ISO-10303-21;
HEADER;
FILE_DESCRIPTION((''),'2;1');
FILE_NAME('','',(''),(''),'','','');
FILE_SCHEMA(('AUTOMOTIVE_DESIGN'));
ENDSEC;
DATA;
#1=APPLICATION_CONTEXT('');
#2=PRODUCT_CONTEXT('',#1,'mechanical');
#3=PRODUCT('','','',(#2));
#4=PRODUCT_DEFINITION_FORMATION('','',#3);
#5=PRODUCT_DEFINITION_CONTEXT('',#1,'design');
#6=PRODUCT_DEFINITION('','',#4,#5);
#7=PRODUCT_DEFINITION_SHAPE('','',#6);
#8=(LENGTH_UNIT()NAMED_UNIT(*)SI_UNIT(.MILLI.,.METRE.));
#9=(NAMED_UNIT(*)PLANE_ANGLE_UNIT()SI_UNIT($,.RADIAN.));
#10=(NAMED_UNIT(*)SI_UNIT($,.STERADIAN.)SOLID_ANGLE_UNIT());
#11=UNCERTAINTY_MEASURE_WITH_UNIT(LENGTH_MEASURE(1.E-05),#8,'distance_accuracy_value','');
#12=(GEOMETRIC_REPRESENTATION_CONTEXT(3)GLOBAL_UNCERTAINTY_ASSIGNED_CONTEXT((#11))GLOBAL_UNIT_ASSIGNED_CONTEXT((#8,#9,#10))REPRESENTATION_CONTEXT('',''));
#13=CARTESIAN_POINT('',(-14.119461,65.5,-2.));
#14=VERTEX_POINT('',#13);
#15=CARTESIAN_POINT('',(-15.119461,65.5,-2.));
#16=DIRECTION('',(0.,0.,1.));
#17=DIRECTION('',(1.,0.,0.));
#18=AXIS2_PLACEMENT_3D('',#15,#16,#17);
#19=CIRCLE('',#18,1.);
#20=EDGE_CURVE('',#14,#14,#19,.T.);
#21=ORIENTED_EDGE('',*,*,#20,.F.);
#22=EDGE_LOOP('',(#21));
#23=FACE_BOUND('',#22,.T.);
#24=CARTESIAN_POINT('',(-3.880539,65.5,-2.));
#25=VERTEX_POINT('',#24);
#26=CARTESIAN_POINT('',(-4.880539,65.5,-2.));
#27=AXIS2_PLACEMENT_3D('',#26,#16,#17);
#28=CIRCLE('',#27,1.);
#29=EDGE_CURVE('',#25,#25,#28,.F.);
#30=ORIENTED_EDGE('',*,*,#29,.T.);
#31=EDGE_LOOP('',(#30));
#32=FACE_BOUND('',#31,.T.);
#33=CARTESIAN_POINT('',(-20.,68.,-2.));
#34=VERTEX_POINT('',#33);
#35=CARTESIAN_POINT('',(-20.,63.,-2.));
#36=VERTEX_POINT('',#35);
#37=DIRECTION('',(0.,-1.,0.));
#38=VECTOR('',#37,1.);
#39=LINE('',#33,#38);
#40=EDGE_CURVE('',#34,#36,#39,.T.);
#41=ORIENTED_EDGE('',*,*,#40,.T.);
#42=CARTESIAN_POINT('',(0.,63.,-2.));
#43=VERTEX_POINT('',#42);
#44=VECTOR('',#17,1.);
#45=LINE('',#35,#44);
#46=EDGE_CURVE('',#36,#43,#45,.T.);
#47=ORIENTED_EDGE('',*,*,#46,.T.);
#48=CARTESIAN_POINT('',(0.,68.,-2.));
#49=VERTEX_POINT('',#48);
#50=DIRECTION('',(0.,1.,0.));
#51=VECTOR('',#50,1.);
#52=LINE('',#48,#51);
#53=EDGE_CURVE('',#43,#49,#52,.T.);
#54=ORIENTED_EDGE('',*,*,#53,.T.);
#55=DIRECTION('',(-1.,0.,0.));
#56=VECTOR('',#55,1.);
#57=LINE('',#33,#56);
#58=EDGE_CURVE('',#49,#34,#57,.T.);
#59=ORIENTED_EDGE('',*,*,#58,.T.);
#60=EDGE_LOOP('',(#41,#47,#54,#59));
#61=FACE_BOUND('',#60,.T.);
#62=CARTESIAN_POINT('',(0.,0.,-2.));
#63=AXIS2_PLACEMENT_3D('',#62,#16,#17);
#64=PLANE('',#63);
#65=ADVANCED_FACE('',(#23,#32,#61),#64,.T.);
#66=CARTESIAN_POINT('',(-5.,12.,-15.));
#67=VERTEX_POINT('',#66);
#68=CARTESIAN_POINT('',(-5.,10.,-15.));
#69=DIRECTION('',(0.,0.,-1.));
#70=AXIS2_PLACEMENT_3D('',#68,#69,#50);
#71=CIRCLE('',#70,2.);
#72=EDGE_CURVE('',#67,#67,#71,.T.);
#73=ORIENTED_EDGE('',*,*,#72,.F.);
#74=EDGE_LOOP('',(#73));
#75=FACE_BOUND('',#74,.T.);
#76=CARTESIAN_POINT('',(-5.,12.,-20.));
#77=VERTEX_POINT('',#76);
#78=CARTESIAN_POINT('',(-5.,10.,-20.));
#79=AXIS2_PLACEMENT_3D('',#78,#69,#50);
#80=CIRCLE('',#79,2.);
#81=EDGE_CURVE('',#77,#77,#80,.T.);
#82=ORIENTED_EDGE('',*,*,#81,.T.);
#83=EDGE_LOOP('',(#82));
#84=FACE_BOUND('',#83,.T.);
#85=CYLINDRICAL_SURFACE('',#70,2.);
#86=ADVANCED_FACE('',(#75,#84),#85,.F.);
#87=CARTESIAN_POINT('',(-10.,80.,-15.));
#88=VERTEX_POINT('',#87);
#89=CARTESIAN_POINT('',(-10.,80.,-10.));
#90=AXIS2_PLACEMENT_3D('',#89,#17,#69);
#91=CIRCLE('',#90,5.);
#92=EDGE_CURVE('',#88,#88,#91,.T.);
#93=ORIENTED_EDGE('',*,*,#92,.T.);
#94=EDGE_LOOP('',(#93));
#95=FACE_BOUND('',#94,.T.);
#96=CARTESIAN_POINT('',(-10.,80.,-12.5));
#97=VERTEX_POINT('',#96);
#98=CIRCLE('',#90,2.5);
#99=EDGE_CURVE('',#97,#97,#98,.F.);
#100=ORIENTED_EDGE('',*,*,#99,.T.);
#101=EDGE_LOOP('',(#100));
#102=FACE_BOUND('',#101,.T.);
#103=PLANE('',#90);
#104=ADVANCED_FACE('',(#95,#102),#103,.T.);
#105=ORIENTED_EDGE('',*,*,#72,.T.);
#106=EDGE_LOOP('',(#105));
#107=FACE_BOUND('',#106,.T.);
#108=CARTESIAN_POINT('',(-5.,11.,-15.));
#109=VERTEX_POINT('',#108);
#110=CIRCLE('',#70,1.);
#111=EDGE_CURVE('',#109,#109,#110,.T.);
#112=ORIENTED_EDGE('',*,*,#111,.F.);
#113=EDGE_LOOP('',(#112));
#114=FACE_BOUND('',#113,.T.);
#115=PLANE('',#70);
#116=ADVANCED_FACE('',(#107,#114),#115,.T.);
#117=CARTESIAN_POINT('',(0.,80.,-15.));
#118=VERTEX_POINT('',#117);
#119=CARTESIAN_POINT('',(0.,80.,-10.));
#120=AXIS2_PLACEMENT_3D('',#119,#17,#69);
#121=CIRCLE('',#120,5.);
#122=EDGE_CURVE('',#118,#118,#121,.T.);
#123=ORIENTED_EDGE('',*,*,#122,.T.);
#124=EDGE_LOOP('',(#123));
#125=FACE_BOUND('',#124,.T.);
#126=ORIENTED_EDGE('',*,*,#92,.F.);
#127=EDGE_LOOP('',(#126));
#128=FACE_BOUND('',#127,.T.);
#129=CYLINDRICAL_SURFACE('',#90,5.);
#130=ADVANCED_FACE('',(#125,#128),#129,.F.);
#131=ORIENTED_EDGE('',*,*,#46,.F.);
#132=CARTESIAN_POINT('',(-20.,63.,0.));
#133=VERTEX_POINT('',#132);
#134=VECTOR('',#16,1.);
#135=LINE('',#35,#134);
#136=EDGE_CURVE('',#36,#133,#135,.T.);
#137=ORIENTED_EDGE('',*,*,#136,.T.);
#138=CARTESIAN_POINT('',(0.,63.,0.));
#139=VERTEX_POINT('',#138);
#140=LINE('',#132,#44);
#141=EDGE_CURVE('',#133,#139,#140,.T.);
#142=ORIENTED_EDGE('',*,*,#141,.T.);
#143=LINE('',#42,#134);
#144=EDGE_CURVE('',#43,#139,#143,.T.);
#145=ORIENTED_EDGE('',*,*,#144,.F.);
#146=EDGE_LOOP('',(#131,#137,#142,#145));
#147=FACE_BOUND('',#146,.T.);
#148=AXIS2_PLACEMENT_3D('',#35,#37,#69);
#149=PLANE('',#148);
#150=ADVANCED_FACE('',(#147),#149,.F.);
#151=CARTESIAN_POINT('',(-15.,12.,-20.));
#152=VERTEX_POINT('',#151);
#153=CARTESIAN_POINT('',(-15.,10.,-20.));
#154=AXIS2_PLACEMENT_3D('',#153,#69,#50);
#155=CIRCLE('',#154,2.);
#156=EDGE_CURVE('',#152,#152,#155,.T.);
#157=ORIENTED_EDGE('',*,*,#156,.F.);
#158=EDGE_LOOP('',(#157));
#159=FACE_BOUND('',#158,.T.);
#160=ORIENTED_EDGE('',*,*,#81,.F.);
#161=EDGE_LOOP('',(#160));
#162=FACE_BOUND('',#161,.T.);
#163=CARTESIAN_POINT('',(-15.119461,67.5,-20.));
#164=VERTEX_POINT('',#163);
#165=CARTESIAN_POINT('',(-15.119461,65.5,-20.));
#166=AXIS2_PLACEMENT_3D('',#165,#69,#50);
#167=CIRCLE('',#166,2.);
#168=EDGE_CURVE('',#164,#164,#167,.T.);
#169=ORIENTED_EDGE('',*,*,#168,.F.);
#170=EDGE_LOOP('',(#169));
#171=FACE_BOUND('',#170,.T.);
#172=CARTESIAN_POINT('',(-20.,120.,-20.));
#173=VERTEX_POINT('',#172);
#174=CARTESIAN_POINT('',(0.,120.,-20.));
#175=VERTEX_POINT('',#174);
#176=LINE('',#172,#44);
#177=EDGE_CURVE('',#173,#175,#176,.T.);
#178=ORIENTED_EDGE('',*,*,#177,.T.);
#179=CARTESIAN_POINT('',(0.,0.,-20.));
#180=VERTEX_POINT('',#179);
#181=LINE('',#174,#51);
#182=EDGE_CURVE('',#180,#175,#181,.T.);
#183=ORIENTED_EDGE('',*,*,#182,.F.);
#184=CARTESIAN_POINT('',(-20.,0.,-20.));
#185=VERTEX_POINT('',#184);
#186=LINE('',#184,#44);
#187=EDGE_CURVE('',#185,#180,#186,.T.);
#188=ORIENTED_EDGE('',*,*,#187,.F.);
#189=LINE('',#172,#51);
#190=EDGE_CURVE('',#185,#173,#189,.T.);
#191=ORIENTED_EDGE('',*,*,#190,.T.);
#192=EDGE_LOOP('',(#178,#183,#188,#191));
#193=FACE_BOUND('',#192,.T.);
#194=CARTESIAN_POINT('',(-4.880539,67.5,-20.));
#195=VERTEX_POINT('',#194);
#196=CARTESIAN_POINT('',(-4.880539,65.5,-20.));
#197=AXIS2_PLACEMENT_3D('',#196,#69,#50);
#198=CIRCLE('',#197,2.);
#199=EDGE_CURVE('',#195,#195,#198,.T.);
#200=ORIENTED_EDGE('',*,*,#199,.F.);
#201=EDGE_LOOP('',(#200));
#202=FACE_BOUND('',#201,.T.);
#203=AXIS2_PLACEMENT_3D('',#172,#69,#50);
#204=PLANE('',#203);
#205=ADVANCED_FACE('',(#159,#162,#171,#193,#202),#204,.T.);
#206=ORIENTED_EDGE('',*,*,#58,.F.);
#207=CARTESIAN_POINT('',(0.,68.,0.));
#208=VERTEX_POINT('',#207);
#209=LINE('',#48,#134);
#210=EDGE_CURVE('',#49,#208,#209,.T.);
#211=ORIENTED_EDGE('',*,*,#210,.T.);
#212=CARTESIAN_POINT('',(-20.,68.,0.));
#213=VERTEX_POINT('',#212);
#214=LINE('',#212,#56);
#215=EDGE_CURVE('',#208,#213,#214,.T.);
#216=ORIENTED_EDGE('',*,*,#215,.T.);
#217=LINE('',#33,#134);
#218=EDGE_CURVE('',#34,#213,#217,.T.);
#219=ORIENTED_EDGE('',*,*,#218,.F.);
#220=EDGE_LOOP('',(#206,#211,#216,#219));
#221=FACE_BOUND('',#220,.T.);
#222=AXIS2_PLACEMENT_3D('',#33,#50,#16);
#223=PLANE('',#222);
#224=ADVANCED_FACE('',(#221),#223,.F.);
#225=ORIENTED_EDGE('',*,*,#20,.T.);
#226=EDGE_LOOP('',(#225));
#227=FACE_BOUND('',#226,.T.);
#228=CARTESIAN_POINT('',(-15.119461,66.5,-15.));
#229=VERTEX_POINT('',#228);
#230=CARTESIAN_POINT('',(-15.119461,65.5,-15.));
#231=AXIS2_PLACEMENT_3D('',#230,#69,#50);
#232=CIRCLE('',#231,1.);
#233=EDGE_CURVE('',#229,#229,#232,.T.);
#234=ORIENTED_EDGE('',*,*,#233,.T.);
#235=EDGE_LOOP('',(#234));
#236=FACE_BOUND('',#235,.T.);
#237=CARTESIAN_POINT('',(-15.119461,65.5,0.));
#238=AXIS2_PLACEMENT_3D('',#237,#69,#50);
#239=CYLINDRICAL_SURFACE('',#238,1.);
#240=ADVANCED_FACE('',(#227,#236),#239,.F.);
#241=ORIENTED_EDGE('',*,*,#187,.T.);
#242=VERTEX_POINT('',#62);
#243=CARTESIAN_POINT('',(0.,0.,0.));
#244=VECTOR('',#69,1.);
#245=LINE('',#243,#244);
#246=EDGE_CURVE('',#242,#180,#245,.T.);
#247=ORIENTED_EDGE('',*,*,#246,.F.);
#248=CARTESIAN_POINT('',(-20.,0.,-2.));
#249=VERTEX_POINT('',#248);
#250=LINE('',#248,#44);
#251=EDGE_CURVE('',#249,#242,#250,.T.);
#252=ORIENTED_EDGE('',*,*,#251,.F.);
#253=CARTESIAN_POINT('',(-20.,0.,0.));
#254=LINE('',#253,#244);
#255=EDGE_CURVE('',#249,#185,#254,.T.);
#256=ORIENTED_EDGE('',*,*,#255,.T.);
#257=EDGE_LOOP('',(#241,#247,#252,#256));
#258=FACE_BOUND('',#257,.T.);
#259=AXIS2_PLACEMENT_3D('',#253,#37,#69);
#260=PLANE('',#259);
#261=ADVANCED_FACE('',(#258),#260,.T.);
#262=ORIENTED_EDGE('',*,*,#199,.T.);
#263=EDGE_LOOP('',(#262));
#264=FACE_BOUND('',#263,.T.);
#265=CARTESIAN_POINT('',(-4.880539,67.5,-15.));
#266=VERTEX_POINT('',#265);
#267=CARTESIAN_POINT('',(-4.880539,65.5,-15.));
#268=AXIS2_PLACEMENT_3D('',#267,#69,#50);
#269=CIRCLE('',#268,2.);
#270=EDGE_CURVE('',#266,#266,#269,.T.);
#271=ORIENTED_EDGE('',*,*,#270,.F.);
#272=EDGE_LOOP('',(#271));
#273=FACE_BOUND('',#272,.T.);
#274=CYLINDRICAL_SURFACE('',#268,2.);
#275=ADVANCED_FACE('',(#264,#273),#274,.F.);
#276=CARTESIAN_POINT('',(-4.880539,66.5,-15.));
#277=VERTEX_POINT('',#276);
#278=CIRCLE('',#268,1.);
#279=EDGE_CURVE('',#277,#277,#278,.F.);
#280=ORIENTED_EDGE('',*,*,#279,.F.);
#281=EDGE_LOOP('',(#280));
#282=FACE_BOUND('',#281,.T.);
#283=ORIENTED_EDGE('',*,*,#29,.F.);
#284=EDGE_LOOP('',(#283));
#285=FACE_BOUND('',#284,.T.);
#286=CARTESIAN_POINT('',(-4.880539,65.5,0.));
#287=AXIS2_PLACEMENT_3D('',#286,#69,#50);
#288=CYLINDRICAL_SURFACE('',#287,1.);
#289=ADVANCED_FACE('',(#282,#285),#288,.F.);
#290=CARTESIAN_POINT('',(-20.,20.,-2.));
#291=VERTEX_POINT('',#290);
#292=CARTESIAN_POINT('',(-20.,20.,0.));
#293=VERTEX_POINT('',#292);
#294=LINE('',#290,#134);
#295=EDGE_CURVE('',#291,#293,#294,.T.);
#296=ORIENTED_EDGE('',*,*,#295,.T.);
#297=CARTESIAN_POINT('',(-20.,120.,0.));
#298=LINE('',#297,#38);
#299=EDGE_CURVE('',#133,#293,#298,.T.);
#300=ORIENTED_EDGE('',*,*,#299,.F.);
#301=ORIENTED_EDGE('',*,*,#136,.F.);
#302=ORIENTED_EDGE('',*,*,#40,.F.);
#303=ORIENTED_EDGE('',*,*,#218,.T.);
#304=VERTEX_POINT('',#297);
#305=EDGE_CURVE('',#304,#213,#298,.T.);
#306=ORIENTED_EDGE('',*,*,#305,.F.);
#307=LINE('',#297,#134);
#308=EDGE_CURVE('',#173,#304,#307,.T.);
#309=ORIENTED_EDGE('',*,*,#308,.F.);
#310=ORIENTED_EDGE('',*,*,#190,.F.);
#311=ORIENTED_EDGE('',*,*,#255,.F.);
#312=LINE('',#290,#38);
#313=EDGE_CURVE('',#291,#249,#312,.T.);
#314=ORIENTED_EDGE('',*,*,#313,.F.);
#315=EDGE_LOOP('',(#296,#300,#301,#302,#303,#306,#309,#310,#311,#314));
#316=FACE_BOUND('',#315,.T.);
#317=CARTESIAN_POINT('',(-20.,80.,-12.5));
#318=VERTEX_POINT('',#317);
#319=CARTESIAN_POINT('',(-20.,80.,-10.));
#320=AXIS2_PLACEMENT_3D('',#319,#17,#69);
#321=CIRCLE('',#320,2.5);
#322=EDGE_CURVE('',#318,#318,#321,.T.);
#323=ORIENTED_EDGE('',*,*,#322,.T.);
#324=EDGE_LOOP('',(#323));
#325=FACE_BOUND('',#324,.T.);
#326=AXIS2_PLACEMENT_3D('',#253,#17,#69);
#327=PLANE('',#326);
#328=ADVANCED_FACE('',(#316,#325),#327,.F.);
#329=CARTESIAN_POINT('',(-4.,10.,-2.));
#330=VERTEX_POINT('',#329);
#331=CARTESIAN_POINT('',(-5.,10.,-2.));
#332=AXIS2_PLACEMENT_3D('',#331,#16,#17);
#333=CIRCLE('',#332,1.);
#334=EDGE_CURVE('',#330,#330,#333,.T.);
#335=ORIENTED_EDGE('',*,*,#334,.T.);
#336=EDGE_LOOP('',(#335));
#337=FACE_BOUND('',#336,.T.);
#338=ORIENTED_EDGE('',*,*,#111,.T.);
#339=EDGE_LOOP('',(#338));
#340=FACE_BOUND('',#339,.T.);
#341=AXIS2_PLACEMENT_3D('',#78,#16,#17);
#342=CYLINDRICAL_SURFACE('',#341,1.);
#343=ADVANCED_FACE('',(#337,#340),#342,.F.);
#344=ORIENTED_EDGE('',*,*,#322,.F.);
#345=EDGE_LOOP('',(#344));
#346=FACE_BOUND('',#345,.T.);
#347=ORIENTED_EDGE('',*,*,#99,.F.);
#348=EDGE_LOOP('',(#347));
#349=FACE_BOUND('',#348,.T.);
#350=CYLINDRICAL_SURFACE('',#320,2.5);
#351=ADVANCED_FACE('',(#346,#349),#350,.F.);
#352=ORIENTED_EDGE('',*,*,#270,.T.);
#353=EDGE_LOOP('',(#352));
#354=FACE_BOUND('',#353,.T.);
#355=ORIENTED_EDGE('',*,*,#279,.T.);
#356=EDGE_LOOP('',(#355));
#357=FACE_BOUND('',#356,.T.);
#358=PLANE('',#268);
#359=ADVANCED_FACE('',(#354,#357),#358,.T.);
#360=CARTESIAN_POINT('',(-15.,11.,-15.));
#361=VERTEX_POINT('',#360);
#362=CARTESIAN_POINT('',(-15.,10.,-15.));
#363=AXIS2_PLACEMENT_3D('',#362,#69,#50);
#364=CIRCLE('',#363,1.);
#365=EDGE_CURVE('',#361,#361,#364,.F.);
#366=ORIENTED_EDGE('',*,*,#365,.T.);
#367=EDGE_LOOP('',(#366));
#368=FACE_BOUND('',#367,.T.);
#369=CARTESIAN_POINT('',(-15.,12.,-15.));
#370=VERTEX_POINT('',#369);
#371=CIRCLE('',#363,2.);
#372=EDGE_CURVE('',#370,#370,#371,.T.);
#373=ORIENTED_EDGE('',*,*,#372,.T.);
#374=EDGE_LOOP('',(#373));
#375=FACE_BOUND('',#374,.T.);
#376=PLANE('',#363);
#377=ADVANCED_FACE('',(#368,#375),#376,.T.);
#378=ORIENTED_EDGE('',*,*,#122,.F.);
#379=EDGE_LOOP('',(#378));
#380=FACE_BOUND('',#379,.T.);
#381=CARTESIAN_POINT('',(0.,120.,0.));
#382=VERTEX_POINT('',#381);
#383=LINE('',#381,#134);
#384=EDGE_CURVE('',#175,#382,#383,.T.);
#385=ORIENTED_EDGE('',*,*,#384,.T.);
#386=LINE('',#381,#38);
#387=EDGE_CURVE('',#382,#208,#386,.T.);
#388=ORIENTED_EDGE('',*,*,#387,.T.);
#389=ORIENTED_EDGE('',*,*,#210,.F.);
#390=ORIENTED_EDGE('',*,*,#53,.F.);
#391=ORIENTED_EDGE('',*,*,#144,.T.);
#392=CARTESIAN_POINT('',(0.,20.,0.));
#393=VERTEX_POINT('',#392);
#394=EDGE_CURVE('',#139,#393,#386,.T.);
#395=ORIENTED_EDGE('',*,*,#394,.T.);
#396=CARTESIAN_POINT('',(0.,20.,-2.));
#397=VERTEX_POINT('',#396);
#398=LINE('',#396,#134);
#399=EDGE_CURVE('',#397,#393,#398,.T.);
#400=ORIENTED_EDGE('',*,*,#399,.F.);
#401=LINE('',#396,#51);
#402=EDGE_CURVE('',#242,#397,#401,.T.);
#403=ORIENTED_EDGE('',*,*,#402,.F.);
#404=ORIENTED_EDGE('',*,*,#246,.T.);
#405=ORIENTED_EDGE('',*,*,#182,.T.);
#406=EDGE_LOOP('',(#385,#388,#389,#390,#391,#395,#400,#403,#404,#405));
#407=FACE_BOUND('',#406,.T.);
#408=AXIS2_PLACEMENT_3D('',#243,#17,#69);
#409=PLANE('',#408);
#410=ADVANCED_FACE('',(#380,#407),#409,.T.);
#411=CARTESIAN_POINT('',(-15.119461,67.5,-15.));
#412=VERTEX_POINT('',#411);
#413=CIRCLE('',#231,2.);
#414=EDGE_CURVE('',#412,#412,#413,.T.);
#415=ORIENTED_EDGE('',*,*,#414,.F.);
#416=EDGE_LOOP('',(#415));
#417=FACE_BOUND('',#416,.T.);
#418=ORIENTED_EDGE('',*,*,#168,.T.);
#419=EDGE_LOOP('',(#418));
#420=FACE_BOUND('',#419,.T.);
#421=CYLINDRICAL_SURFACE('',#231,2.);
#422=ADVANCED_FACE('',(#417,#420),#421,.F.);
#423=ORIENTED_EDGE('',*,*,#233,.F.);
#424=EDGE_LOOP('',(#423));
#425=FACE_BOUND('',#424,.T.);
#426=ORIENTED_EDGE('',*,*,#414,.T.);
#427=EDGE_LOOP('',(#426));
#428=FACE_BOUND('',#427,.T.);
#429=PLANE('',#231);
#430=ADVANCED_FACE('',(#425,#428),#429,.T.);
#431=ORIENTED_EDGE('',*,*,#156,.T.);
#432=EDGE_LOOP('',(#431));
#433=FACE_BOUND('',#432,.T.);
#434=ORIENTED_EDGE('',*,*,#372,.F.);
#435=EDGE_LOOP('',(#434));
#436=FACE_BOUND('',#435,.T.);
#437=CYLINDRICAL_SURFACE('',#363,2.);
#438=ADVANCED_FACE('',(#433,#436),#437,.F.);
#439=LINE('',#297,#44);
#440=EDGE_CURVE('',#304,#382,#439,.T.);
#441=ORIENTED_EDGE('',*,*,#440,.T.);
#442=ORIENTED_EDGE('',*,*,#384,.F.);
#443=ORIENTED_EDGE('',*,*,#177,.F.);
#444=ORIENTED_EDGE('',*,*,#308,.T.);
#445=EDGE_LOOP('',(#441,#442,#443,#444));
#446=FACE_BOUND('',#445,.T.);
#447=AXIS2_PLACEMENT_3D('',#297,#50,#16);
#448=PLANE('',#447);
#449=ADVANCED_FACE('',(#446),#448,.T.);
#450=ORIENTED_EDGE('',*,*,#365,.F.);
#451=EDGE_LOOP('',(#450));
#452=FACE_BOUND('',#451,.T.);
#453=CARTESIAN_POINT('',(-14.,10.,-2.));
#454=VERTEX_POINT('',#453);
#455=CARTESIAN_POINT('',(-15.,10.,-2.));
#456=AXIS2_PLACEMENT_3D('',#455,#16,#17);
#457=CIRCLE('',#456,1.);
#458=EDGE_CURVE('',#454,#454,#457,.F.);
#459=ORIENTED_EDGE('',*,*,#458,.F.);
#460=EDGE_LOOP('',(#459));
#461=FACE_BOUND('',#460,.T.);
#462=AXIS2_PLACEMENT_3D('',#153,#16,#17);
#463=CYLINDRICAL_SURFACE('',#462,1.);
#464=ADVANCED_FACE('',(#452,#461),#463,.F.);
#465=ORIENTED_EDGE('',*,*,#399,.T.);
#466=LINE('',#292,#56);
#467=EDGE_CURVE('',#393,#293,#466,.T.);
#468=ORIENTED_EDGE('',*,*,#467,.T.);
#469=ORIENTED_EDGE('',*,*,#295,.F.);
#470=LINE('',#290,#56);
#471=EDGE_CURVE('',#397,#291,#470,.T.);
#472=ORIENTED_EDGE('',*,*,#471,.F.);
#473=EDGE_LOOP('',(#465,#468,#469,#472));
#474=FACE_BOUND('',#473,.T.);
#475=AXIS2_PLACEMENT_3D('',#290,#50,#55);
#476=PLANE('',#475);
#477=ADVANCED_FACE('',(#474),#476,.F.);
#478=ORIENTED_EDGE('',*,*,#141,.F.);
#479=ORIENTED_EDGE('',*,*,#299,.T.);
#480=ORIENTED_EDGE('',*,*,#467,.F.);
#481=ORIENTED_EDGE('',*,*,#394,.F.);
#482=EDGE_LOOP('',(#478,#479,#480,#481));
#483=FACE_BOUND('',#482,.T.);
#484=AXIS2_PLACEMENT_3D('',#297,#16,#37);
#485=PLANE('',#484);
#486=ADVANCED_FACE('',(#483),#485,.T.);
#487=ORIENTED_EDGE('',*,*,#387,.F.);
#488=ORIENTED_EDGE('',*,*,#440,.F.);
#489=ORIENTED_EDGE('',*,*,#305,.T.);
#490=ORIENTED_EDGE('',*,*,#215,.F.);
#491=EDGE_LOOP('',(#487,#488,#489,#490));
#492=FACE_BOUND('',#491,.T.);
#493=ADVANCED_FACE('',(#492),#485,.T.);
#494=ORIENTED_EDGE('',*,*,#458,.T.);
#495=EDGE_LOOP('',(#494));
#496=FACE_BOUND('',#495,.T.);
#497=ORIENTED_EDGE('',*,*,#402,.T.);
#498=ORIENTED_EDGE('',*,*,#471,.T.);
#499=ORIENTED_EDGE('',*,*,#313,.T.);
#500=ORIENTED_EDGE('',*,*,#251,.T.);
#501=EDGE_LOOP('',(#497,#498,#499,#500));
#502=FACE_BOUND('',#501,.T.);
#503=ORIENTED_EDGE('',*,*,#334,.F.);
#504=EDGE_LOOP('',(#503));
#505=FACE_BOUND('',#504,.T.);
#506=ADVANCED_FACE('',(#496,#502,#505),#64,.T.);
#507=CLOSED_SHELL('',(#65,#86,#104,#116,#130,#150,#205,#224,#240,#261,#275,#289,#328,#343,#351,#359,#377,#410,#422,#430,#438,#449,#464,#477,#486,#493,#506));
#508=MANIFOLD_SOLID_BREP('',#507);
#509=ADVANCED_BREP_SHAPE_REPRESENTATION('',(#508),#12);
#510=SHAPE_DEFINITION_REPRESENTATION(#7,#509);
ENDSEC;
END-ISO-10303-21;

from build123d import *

# Parameters (mm, degrees)
SKETCH1_W           = 20
SKETCH1_H           = 120
SKETCH1_R           = 2.5
BOSS_EXTRUDE2_DEPTH = 20
SKETCH10_R          = 5
CUT_EXTRUDE1_DEPTH  = 10
SKETCH11_R          = 1
CUT_EXTRUDE2_DEPTH  = 21
SKETCH12_R          = 2
CUT_EXTRUDE3_DEPTH  = 5
SKETCH13_R          = 1
CUT_EXTRUDE4_DEPTH  = 21
SKETCH14_R          = 2
CUT_EXTRUDE5_DEPTH  = 5
SKETCH16_W          = 20
SKETCH16_H          = 5
SKETCH16_H_2        = 20
CUT_EXTRUDE6_DEPTH  = 2


with BuildPart() as part:
    # Sketch1 → Boss-Extrude2 (new body)
    with BuildSketch(Plane(origin=(0, 0, 0), x_dir=(0, 0, -1), z_dir=(1, 0, 0))):
        with Locations((10, 60)):
            Rectangle(SKETCH1_W, SKETCH1_H)
        with Locations((10, 80)):
            Circle(SKETCH1_R, mode=Mode.SUBTRACT)
    extrude(amount=-BOSS_EXTRUDE2_DEPTH)

    # Sketch10 → Cut-Extrude1 (cut)
    with BuildSketch(Plane(origin=(0, 0, 0), x_dir=(0, 0, -1), z_dir=(1, 0, 0))):
        with Locations((10, 80)):
            Circle(SKETCH10_R)
    extrude(amount=-CUT_EXTRUDE1_DEPTH, mode=Mode.SUBTRACT)

    # Sketch11 → Cut-Extrude2 (cut, through all)
    with BuildSketch(Plane.XY):
        with Locations((-15, 10)):
            Circle(SKETCH11_R)
        with Locations((-5, 10)):
            Circle(SKETCH11_R)
    extrude(amount=-CUT_EXTRUDE2_DEPTH, mode=Mode.SUBTRACT)

    # Sketch12 → Cut-Extrude3 (cut)
    with BuildSketch(Plane(origin=(0, 0, -20), x_dir=(-1, 0, 0), z_dir=(0, 0, -1))):
        with Locations((5, 10)):
            Circle(SKETCH12_R)
        with Locations((15, 10)):
            Circle(SKETCH12_R)
    extrude(amount=-CUT_EXTRUDE3_DEPTH, mode=Mode.SUBTRACT)

    # Sketch13 → Cut-Extrude4 (cut, through all)
    with BuildSketch(Plane(origin=(0, 0, -20), x_dir=(-1, 0, 0), z_dir=(0, 0, -1))):
        with Locations((4.880538742, 65.5)):
            Circle(SKETCH13_R)
        with Locations((15.119461258, 65.5)):
            Circle(SKETCH13_R)
    extrude(amount=-CUT_EXTRUDE4_DEPTH, mode=Mode.SUBTRACT)

    # Sketch14 → Cut-Extrude5 (cut)
    with BuildSketch(Plane(origin=(0, 0, -20), x_dir=(-1, 0, 0), z_dir=(0, 0, -1))):
        with Locations((4.880538742, 65.5)):
            Circle(SKETCH14_R)
        with Locations((15.119461258, 65.5)):
            Circle(SKETCH14_R)
    extrude(amount=-CUT_EXTRUDE5_DEPTH, mode=Mode.SUBTRACT)

    # Sketch16 → Cut-Extrude6 (cut)
    with BuildSketch(Plane.XY):
        with Locations((-10, 65.5)):
            Rectangle(SKETCH16_W, SKETCH16_H)
        with Locations((-10, 10)):
            Rectangle(SKETCH16_W, SKETCH16_H_2)
    extrude(amount=-CUT_EXTRUDE6_DEPTH, mode=Mode.SUBTRACT)


solid = part.part
